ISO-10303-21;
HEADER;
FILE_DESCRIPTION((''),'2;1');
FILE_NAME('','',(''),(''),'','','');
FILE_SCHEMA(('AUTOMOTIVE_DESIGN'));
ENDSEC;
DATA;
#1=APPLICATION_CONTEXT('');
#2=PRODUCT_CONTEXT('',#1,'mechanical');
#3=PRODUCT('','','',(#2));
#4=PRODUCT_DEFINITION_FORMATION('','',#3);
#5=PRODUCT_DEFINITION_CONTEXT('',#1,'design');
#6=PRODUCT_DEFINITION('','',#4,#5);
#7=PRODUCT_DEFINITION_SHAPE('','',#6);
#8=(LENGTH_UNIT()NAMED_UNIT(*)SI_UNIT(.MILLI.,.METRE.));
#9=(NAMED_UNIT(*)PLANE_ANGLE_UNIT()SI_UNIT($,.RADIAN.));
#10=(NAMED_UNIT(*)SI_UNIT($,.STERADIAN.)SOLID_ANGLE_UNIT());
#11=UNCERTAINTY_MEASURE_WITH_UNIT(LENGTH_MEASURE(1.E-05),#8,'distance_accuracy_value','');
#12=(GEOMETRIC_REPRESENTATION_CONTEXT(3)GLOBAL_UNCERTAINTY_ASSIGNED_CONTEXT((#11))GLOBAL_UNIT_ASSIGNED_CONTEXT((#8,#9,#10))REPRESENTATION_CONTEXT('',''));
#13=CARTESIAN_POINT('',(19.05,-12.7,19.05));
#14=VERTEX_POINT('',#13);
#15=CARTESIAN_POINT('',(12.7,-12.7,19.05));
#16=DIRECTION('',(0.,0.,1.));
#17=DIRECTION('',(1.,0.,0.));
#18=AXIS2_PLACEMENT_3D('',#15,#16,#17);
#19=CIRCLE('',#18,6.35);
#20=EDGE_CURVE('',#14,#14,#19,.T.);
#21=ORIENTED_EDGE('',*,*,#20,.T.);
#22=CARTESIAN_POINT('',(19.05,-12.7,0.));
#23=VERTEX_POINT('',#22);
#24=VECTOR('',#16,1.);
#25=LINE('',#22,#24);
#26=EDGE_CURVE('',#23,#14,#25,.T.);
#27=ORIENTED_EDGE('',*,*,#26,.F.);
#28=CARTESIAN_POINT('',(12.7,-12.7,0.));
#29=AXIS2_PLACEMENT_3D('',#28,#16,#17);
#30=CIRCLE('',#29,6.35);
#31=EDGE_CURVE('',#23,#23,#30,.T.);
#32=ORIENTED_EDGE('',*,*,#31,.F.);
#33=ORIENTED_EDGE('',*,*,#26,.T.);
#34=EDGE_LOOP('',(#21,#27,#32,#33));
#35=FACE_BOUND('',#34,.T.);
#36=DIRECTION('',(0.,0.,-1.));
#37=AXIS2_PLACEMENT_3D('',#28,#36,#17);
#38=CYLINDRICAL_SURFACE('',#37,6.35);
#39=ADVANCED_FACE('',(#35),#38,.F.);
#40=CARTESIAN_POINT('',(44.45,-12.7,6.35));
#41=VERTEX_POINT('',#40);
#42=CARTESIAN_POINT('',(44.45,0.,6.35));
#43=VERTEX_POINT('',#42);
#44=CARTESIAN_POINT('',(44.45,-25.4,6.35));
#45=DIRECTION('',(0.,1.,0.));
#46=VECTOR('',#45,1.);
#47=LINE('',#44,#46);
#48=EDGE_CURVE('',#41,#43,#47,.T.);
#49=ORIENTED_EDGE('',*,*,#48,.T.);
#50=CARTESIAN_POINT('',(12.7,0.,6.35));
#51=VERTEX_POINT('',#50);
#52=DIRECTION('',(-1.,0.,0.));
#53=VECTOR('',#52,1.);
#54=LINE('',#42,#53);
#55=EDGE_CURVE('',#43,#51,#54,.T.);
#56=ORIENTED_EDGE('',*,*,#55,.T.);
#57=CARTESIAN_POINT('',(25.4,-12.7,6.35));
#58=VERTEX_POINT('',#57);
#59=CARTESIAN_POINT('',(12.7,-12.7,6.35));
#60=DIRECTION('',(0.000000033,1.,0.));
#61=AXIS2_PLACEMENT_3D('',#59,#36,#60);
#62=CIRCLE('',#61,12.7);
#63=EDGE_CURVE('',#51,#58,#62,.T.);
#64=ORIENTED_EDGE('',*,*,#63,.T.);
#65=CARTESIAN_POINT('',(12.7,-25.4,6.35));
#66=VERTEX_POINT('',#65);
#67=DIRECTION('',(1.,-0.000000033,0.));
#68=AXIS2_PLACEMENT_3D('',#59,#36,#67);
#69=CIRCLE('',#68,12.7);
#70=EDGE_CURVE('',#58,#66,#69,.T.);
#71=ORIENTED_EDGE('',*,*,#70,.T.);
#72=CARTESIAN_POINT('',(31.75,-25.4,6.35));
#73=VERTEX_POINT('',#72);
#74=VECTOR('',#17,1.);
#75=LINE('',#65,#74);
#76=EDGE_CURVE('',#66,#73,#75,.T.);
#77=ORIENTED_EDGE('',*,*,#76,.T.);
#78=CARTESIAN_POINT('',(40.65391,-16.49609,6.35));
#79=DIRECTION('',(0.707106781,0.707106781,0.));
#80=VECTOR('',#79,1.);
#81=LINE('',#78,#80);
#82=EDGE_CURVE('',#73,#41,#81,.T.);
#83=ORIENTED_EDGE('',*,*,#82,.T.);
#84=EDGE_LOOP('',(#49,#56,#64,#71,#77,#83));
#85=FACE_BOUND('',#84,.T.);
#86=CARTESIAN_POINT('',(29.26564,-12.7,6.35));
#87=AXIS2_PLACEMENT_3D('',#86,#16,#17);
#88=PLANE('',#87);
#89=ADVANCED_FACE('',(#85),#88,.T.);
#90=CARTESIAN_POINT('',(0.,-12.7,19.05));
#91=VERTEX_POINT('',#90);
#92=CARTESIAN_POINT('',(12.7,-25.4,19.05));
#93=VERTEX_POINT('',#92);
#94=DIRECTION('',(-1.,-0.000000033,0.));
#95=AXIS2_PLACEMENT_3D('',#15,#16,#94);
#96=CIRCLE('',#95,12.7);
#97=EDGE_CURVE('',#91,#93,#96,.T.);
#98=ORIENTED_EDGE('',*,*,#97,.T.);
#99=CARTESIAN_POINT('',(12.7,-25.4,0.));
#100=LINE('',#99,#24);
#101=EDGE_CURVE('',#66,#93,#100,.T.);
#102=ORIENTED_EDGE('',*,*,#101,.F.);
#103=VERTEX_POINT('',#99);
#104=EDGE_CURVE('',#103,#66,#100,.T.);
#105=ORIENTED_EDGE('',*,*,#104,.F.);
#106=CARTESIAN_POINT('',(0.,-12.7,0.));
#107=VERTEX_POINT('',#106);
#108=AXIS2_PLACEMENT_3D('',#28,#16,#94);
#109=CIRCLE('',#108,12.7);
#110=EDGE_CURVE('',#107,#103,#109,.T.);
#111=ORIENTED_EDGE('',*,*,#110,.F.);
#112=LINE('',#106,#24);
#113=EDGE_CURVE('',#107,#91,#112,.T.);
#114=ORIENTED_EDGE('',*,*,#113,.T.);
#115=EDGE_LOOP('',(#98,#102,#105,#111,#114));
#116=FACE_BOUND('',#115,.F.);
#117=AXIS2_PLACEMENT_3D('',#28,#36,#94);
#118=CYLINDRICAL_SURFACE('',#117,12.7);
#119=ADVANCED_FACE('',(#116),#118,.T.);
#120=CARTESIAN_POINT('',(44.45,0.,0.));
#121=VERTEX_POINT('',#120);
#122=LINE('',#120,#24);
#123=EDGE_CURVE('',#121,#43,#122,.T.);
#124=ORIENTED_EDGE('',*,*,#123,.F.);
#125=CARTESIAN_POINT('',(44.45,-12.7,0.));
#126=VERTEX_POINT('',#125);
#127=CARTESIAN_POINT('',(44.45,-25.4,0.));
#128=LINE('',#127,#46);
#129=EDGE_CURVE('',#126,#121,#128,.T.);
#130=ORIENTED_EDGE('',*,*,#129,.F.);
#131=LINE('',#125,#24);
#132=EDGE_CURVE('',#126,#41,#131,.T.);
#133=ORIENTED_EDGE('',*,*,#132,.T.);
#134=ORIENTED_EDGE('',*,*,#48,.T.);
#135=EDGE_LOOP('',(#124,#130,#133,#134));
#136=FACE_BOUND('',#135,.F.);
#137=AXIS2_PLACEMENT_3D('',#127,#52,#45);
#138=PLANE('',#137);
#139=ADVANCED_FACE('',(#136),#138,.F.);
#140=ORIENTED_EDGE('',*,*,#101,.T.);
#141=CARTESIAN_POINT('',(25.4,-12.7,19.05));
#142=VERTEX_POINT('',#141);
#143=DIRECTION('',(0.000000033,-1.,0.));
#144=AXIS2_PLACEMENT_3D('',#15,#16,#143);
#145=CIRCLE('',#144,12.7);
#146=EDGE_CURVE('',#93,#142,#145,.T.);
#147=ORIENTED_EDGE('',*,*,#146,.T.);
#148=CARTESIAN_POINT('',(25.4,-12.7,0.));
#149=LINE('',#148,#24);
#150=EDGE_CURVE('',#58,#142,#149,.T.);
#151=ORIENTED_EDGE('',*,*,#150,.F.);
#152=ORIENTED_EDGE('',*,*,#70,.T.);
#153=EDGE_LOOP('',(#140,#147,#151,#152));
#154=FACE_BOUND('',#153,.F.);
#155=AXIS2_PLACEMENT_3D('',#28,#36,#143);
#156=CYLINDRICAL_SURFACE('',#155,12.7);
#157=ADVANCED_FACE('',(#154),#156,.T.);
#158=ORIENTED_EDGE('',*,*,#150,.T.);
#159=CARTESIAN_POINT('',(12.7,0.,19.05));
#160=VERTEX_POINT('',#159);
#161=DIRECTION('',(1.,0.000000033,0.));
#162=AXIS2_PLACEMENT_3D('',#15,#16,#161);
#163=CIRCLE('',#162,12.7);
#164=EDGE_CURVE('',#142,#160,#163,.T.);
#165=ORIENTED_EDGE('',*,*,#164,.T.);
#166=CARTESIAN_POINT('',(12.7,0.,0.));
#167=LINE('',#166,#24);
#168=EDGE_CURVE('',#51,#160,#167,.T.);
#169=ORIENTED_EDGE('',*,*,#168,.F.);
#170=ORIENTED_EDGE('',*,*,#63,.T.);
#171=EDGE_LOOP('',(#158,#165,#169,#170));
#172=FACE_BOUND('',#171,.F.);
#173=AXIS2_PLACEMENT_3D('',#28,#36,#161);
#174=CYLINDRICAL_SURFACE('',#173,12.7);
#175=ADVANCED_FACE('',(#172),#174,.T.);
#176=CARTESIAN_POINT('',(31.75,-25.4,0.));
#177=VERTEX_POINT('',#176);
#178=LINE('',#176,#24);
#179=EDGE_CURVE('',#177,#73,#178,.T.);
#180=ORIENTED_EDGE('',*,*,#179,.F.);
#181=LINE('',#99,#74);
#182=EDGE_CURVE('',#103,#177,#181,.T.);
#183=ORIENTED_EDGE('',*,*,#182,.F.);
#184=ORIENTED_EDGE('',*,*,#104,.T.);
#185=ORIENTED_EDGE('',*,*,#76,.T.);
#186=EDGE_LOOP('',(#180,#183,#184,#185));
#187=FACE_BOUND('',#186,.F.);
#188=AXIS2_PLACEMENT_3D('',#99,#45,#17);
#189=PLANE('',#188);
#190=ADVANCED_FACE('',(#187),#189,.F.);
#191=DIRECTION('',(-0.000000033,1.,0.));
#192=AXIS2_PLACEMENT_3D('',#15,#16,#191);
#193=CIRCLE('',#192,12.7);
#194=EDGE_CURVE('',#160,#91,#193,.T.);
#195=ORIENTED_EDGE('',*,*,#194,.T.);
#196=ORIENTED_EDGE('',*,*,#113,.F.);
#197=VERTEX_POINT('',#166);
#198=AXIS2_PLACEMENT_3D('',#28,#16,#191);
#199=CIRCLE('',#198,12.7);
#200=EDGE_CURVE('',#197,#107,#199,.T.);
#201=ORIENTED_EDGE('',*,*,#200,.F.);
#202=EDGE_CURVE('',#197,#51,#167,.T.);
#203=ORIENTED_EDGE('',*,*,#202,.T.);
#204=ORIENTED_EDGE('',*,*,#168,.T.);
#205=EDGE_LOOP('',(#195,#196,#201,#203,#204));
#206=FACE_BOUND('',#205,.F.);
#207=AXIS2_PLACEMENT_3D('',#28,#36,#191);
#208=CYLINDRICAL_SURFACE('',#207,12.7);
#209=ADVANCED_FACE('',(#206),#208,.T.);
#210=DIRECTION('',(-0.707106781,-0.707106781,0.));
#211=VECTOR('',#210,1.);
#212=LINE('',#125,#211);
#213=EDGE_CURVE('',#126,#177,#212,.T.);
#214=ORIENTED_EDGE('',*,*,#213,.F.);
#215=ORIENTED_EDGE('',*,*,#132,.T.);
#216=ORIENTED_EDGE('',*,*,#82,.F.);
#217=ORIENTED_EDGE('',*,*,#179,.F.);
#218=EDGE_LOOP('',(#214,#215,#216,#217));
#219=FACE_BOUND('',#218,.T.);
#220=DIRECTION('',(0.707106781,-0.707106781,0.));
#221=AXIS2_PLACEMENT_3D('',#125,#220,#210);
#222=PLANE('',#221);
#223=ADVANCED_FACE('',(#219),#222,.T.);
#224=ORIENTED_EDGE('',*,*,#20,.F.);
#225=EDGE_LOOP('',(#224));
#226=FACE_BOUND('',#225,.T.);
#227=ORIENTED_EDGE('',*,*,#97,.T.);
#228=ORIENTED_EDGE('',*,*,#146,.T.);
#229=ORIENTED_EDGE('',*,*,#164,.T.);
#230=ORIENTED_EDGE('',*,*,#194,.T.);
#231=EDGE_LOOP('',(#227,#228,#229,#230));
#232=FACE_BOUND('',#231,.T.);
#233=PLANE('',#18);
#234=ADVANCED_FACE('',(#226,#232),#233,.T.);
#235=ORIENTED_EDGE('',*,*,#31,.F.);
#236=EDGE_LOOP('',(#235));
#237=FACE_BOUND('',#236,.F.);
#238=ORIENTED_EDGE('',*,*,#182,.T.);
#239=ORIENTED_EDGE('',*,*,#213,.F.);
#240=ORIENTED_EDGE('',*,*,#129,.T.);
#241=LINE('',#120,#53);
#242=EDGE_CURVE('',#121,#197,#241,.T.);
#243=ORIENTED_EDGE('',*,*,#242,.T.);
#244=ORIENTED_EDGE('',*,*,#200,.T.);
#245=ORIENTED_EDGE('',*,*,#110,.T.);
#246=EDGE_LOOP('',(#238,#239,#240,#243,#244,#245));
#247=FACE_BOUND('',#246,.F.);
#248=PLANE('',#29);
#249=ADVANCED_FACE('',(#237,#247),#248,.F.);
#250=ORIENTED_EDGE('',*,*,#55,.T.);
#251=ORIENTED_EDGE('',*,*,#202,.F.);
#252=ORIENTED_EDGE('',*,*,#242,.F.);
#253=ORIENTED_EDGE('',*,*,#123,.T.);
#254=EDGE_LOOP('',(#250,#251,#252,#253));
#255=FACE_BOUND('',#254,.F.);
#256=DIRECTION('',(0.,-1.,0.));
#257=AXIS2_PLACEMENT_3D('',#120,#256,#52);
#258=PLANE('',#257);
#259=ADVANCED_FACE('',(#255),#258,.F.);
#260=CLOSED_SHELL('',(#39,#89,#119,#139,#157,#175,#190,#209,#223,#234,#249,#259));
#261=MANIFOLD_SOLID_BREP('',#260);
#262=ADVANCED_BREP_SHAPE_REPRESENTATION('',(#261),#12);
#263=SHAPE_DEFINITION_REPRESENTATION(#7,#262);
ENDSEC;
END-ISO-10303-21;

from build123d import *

# Parameters (mm, degrees)
F1_DEPTH = 6.35
F0_R     = 6.35
F2_DEPTH = 19.05
F4_DEPTH = 19.051


with BuildPart() as f1:
    # F0 (on Top) → F1 (new body)
    with BuildSketch(Plane.XY):
        with BuildLine():
            Line((44.45, 0), (12.7, 0))
            ThreePointArc((12.7, 0), (21.680256, -3.719744), (25.4, -12.7))
            ThreePointArc((25.4, -12.7), (21.680256, -21.680256), (12.7, -25.4))
            Line((12.7, -25.4), (44.45, -25.4))
            Line((44.45, -25.4), (44.45, 0))
        make_face()
    extrude(amount=F1_DEPTH)

    # F0 (on Top) → F2 (join)
    with BuildSketch(Plane.XY):
        with BuildLine():
            ThreePointArc((25.4, -12.7), (21.680256, -3.719744), (12.7, 0))
            ThreePointArc((12.7, 0), (3.719744, -3.719744), (0, -12.7))
            ThreePointArc((0, -12.7), (3.719744, -21.680256), (12.7, -25.4))
            ThreePointArc((12.7, -25.4), (21.680256, -21.680256), (25.4, -12.7))
        make_face()
        with Locations((12.7, -12.7)):
            Circle(F0_R, mode=Mode.SUBTRACT)
    extrude(amount=F2_DEPTH)

    # F3 (on Top) → F4 (cut, through all)
    with BuildSketch(Plane.XY):
        Polygon((44.45, -12.7), (31.75, -25.4), (44.45, -25.4), align=None)
    extrude(amount=F4_DEPTH, mode=Mode.SUBTRACT)


solid = f1.part
